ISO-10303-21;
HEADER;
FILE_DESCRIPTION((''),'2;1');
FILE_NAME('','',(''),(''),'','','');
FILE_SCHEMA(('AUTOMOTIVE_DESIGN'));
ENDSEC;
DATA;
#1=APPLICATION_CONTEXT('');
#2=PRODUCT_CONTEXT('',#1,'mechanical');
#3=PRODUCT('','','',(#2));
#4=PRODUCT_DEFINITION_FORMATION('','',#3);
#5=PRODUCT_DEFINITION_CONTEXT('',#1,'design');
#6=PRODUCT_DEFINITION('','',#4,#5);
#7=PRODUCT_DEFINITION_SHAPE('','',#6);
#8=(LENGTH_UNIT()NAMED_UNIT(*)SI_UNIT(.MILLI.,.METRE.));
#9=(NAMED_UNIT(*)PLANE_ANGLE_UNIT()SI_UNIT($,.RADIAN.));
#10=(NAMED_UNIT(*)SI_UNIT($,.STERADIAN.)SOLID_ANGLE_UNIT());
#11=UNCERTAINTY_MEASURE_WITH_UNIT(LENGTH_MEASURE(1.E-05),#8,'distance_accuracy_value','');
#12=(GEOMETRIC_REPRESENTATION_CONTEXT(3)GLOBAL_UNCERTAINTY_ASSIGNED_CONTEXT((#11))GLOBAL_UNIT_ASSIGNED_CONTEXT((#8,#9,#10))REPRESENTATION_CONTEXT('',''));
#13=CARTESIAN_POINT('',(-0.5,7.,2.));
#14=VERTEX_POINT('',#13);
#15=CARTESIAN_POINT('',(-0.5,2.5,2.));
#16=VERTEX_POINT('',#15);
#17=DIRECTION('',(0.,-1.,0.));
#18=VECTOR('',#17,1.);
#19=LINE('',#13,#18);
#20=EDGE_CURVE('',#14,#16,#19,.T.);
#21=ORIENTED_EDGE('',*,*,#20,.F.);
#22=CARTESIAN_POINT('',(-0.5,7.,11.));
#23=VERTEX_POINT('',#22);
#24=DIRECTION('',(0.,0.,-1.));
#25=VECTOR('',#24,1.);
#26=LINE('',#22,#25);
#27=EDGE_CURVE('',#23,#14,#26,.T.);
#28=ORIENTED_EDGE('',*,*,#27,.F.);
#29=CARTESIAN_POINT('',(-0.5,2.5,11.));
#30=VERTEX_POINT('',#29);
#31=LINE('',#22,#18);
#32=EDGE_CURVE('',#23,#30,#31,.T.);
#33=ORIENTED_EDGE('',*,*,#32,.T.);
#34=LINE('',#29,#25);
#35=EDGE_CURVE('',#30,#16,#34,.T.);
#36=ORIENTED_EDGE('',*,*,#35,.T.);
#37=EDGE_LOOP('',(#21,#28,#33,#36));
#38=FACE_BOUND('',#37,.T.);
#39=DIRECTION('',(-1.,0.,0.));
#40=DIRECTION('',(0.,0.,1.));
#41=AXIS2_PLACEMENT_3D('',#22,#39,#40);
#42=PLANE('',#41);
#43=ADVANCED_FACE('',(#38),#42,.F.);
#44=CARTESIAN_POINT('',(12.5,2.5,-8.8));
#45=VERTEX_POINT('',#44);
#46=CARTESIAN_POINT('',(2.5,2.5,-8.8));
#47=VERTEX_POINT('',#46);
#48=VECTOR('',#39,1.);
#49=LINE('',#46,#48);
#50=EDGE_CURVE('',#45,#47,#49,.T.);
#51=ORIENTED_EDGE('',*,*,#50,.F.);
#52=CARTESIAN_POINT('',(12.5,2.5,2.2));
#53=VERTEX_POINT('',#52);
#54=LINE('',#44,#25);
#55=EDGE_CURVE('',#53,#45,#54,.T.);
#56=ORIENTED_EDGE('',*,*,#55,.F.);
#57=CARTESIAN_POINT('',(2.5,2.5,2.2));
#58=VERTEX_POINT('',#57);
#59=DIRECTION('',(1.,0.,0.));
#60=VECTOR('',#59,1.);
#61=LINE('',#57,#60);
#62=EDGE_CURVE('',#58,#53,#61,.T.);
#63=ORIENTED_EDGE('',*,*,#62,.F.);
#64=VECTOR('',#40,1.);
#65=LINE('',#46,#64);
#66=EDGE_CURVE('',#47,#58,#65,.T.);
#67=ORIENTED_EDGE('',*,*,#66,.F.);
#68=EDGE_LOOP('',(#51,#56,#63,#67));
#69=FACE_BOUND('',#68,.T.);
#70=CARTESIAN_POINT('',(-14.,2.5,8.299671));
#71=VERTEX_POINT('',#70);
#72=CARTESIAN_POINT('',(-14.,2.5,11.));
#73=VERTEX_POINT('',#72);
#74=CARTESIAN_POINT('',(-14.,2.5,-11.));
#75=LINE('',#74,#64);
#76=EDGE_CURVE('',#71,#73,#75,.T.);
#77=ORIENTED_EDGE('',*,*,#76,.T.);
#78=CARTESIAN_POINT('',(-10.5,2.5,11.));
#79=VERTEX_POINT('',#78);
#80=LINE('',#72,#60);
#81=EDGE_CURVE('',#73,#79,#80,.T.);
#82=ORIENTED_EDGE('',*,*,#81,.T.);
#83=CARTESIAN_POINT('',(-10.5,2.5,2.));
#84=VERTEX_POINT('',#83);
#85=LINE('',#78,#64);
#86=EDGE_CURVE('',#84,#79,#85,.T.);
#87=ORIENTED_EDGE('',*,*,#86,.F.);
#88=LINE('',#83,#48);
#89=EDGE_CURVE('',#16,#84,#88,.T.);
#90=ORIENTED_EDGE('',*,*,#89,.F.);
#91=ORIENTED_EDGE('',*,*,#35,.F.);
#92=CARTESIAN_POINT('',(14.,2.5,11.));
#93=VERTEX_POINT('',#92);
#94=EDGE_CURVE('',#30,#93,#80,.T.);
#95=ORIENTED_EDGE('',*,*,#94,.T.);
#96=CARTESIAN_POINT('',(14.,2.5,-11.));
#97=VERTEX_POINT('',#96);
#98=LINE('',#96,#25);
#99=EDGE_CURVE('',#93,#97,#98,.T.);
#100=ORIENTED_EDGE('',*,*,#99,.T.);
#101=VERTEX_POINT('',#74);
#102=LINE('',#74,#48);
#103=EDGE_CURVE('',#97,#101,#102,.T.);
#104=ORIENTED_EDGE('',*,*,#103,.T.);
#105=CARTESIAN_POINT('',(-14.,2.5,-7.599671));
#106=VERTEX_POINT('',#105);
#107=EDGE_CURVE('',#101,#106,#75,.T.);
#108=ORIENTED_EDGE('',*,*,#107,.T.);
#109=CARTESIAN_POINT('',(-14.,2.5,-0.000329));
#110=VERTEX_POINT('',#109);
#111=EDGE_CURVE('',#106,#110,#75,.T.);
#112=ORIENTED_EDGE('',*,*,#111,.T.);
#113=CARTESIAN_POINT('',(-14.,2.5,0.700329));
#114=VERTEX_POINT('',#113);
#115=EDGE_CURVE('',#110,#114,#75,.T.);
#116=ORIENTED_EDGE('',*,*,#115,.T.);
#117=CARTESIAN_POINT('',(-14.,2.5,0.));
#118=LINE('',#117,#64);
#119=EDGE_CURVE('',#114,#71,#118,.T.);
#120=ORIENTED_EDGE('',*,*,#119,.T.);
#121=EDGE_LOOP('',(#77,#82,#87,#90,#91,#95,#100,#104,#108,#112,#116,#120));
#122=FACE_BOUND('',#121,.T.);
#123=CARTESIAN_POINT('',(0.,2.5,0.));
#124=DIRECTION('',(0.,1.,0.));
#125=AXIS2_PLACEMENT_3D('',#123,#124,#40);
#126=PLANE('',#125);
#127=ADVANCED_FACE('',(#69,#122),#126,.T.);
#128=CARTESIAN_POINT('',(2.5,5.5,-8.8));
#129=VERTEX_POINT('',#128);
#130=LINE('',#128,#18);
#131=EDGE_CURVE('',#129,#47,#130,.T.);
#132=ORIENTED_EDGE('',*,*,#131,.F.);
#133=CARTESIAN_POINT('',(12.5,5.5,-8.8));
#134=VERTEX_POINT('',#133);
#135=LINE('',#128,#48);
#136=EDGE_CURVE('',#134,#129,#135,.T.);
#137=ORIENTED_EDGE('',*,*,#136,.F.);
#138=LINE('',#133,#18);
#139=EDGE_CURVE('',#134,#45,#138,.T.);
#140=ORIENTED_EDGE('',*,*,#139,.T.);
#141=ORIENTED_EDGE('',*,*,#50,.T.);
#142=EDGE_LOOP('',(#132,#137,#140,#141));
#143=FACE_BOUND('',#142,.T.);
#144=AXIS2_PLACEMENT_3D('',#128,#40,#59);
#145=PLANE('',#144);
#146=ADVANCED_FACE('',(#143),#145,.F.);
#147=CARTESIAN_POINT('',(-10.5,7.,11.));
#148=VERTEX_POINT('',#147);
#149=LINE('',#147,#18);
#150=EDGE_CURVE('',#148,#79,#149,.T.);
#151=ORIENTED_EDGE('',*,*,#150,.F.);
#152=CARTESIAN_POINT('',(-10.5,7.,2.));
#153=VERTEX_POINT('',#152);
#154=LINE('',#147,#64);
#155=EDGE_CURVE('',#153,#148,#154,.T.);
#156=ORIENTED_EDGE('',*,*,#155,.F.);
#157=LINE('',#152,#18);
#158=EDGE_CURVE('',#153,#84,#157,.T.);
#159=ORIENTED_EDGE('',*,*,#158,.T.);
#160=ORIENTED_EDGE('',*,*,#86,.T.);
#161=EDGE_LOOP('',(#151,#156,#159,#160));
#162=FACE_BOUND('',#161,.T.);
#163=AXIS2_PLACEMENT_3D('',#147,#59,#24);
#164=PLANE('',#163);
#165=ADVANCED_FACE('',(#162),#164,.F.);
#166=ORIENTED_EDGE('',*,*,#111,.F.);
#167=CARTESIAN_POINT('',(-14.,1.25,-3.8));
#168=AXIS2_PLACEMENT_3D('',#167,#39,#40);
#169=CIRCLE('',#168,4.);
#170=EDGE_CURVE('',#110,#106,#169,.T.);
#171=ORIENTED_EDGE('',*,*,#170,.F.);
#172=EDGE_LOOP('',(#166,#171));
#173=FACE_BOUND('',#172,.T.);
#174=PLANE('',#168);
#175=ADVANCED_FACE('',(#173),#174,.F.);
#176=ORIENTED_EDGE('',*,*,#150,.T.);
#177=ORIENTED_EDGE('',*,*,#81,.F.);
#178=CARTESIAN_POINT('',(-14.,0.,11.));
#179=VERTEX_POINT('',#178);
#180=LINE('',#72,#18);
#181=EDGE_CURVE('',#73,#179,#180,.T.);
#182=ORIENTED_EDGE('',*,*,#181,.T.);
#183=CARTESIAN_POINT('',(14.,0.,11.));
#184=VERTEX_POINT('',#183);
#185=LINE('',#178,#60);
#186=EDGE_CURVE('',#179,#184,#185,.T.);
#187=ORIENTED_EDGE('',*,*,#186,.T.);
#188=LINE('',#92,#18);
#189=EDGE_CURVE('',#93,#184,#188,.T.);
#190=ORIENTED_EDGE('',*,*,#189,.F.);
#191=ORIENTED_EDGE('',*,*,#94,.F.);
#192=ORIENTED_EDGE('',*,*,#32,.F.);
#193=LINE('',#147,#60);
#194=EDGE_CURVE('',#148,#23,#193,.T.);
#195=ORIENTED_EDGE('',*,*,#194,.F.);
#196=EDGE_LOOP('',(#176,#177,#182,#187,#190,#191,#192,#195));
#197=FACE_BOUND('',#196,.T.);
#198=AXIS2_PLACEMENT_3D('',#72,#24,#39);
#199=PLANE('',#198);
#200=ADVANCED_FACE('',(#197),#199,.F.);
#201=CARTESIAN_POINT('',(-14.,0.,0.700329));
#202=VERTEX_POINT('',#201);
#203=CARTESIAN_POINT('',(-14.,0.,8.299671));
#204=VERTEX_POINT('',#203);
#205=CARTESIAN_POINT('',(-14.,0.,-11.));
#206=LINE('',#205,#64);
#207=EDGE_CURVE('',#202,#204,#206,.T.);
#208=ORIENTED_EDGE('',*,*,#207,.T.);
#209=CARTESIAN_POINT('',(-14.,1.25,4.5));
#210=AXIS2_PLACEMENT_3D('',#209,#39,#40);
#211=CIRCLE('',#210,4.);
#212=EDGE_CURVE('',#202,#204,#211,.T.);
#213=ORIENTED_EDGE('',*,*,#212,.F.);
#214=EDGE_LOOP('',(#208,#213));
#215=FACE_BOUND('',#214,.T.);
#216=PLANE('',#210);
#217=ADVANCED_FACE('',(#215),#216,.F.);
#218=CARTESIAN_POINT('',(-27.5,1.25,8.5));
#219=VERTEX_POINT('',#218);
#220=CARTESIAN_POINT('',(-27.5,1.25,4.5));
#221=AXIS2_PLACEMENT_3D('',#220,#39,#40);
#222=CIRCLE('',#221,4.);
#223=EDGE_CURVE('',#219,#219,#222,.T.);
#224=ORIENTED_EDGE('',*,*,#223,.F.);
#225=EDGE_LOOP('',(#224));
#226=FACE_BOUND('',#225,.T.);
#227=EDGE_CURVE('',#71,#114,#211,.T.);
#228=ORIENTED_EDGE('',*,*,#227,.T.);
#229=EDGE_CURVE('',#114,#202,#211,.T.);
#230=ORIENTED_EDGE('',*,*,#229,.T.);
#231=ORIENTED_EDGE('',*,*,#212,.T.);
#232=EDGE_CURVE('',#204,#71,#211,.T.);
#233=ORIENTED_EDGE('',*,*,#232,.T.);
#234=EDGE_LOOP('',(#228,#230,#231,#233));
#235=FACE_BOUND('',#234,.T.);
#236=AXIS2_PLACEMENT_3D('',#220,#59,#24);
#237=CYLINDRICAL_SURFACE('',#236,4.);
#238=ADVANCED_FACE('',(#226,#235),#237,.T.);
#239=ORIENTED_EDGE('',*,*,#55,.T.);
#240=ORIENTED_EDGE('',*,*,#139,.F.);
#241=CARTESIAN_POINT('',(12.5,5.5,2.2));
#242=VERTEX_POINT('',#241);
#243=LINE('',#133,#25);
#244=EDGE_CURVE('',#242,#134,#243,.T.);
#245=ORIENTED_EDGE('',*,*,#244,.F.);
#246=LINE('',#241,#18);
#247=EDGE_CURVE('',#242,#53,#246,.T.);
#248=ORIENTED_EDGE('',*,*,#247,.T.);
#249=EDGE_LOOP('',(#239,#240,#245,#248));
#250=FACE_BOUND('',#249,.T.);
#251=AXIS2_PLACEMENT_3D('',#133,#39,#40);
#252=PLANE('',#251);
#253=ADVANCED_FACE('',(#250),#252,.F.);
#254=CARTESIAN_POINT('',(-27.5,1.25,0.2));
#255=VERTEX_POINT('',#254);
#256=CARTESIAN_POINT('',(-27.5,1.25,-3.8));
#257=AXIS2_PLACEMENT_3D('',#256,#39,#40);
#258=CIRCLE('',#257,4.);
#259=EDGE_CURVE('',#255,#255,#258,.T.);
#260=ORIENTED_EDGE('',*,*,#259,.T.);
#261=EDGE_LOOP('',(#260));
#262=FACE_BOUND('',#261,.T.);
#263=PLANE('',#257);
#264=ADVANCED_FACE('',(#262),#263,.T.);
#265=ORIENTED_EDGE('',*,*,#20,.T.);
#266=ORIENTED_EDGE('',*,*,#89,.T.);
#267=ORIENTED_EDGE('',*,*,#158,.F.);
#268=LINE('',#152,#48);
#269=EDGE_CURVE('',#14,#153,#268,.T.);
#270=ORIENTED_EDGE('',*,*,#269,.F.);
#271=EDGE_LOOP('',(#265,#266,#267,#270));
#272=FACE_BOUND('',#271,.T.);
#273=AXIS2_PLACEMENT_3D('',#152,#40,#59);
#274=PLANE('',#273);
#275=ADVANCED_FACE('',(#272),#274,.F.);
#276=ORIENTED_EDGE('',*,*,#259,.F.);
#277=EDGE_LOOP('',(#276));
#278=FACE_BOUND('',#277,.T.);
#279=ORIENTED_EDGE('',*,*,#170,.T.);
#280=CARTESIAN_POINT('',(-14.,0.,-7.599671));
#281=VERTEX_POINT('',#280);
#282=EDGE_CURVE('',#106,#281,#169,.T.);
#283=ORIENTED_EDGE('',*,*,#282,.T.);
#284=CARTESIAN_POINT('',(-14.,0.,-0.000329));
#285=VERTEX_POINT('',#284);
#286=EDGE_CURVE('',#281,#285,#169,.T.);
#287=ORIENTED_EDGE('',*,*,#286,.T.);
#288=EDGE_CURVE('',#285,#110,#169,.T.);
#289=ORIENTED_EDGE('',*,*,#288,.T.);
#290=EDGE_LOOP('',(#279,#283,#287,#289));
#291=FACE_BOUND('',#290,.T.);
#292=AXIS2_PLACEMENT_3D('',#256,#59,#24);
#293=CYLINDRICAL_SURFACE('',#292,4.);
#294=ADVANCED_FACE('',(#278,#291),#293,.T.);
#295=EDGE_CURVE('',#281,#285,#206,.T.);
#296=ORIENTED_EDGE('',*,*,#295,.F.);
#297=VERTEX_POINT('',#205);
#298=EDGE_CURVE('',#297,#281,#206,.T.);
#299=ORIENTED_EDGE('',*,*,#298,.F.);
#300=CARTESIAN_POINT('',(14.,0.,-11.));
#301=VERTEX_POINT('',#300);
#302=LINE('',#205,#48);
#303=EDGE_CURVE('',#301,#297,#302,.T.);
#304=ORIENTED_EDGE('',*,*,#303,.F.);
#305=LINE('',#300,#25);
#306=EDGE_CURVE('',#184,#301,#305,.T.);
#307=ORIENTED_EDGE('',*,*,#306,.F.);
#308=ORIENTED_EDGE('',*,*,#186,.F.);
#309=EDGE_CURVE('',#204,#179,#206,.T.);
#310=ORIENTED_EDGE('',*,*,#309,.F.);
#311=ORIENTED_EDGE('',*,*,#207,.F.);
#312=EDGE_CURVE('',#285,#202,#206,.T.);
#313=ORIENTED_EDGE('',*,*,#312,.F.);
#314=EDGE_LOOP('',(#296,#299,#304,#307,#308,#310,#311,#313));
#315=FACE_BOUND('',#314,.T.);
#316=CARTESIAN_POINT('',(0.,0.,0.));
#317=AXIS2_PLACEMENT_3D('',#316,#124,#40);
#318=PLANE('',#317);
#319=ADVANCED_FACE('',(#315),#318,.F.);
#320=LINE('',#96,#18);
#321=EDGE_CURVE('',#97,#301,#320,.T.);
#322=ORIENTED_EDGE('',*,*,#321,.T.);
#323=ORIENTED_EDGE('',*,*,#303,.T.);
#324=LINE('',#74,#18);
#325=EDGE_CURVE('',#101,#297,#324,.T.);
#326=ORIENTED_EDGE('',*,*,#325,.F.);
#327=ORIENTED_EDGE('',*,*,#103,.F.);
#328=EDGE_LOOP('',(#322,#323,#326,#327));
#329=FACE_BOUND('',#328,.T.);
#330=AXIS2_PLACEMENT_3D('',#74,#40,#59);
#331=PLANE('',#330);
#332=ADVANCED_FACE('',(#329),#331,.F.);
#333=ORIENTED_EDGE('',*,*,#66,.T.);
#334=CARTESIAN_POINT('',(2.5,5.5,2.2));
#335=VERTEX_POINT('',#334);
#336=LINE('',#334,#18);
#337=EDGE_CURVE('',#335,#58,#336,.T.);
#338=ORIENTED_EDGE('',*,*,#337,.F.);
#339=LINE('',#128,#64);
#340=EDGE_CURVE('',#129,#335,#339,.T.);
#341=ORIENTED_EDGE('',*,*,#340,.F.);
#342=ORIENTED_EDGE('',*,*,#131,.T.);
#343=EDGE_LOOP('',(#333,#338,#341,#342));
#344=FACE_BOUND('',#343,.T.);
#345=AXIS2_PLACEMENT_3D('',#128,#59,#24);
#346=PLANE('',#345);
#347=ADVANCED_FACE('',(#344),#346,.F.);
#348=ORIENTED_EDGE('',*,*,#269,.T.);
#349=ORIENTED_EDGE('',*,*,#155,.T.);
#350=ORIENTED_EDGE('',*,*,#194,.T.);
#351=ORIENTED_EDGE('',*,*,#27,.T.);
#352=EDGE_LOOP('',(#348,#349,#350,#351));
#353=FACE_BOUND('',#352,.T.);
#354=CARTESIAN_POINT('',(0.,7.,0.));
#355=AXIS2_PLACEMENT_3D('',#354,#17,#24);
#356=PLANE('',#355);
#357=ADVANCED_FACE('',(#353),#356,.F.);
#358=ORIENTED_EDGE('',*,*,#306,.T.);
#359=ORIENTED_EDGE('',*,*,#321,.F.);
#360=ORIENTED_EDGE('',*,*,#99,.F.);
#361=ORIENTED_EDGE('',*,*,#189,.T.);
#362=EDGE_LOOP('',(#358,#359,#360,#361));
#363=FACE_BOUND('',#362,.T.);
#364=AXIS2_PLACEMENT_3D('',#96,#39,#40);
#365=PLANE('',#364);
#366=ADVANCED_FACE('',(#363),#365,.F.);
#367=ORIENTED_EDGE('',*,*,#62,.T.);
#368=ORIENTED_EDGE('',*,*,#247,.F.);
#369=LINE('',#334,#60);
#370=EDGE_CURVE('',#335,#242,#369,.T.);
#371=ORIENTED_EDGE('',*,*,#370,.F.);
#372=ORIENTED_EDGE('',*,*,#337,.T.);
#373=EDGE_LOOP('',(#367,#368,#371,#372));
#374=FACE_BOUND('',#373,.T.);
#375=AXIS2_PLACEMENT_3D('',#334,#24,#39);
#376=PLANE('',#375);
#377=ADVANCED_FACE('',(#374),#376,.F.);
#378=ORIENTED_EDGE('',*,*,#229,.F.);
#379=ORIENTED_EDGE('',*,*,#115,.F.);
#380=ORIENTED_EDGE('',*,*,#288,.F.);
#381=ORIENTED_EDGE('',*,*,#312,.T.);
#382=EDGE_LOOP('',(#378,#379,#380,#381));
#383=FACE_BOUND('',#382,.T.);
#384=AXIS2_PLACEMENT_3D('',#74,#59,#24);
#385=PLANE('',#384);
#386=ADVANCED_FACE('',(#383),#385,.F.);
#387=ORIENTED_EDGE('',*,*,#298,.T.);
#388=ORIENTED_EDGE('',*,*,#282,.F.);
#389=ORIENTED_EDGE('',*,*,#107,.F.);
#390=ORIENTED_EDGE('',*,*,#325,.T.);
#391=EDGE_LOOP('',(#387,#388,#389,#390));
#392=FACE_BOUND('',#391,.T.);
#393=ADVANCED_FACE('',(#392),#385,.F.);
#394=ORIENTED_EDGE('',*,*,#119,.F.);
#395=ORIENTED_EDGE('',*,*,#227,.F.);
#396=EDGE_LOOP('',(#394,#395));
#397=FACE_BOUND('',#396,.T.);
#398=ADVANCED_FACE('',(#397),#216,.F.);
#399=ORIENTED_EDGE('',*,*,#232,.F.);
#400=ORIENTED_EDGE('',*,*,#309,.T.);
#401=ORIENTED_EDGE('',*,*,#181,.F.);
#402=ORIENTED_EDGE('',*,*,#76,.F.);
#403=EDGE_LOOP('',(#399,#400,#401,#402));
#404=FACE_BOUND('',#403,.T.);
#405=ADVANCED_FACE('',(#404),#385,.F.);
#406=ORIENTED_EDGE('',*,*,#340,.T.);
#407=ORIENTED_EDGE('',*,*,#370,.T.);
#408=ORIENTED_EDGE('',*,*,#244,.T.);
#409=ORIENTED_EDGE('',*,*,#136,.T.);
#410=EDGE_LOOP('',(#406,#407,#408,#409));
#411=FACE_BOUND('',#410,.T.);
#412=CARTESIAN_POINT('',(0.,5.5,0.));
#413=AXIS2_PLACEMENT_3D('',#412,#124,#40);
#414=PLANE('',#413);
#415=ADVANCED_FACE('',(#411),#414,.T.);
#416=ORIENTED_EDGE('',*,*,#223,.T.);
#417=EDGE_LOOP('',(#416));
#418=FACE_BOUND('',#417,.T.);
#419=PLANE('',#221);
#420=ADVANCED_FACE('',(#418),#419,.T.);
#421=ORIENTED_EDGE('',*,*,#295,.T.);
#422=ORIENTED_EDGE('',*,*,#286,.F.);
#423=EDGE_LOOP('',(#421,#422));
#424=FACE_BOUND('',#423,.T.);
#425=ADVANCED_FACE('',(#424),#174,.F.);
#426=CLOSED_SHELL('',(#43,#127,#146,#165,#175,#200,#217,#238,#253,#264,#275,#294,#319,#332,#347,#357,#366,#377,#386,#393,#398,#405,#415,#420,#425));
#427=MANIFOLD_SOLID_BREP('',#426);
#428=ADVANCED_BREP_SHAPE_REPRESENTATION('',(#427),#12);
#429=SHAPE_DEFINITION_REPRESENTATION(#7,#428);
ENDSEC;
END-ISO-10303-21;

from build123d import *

# Parameters (mm, degrees)
SKETCH1_W           = 28
SKETCH1_H           = 22
BOSS_EXTRUDE1_DEPTH = 2.5
SKETCH2_W           = 10
SKETCH2_H           = 9
BOSS_EXTRUDE2_DEPTH = 4.5
SKETCH3_W           = 10
SKETCH3_H           = 11
BOSS_EXTRUDE3_DEPTH = 3
SKETCH4_R           = 4
BOSS_EXTRUDE4_DEPTH = 13.5


with BuildPart() as part:
    # Sketch1 → Boss-Extrude1 (new body)
    with BuildSketch(Plane(origin=(0, 0, 0), x_dir=(1, 0, 0), z_dir=(0, 1, 0))):
        Rectangle(SKETCH1_W, SKETCH1_H)
    extrude(amount=BOSS_EXTRUDE1_DEPTH)

    # Sketch2 → Boss-Extrude2 (add)
    with BuildSketch(Plane(origin=(0, 2.5, 0), x_dir=(1, 0, 0), z_dir=(0, 1, 0))):
        with Locations((-5.5, -6.5)):
            Rectangle(SKETCH2_W, SKETCH2_H)
    extrude(amount=BOSS_EXTRUDE2_DEPTH)

    # Sketch3 → Boss-Extrude3 (add)
    with BuildSketch(Plane(origin=(0, 2.5, 0), x_dir=(1, 0, 0), z_dir=(0, 1, 0))):
        with Locations((7.5, 3.3)):
            Rectangle(SKETCH3_W, SKETCH3_H)
    extrude(amount=BOSS_EXTRUDE3_DEPTH)

    # Sketch4 → Boss-Extrude4 (add)
    with BuildSketch(Plane.ZY.offset(14)):
        with Locations((-3.8, 1.25)):
            Circle(SKETCH4_R)
        with Locations((4.5, 1.25)):
            Circle(SKETCH4_R)
    extrude(amount=BOSS_EXTRUDE4_DEPTH)


solid = part.part
